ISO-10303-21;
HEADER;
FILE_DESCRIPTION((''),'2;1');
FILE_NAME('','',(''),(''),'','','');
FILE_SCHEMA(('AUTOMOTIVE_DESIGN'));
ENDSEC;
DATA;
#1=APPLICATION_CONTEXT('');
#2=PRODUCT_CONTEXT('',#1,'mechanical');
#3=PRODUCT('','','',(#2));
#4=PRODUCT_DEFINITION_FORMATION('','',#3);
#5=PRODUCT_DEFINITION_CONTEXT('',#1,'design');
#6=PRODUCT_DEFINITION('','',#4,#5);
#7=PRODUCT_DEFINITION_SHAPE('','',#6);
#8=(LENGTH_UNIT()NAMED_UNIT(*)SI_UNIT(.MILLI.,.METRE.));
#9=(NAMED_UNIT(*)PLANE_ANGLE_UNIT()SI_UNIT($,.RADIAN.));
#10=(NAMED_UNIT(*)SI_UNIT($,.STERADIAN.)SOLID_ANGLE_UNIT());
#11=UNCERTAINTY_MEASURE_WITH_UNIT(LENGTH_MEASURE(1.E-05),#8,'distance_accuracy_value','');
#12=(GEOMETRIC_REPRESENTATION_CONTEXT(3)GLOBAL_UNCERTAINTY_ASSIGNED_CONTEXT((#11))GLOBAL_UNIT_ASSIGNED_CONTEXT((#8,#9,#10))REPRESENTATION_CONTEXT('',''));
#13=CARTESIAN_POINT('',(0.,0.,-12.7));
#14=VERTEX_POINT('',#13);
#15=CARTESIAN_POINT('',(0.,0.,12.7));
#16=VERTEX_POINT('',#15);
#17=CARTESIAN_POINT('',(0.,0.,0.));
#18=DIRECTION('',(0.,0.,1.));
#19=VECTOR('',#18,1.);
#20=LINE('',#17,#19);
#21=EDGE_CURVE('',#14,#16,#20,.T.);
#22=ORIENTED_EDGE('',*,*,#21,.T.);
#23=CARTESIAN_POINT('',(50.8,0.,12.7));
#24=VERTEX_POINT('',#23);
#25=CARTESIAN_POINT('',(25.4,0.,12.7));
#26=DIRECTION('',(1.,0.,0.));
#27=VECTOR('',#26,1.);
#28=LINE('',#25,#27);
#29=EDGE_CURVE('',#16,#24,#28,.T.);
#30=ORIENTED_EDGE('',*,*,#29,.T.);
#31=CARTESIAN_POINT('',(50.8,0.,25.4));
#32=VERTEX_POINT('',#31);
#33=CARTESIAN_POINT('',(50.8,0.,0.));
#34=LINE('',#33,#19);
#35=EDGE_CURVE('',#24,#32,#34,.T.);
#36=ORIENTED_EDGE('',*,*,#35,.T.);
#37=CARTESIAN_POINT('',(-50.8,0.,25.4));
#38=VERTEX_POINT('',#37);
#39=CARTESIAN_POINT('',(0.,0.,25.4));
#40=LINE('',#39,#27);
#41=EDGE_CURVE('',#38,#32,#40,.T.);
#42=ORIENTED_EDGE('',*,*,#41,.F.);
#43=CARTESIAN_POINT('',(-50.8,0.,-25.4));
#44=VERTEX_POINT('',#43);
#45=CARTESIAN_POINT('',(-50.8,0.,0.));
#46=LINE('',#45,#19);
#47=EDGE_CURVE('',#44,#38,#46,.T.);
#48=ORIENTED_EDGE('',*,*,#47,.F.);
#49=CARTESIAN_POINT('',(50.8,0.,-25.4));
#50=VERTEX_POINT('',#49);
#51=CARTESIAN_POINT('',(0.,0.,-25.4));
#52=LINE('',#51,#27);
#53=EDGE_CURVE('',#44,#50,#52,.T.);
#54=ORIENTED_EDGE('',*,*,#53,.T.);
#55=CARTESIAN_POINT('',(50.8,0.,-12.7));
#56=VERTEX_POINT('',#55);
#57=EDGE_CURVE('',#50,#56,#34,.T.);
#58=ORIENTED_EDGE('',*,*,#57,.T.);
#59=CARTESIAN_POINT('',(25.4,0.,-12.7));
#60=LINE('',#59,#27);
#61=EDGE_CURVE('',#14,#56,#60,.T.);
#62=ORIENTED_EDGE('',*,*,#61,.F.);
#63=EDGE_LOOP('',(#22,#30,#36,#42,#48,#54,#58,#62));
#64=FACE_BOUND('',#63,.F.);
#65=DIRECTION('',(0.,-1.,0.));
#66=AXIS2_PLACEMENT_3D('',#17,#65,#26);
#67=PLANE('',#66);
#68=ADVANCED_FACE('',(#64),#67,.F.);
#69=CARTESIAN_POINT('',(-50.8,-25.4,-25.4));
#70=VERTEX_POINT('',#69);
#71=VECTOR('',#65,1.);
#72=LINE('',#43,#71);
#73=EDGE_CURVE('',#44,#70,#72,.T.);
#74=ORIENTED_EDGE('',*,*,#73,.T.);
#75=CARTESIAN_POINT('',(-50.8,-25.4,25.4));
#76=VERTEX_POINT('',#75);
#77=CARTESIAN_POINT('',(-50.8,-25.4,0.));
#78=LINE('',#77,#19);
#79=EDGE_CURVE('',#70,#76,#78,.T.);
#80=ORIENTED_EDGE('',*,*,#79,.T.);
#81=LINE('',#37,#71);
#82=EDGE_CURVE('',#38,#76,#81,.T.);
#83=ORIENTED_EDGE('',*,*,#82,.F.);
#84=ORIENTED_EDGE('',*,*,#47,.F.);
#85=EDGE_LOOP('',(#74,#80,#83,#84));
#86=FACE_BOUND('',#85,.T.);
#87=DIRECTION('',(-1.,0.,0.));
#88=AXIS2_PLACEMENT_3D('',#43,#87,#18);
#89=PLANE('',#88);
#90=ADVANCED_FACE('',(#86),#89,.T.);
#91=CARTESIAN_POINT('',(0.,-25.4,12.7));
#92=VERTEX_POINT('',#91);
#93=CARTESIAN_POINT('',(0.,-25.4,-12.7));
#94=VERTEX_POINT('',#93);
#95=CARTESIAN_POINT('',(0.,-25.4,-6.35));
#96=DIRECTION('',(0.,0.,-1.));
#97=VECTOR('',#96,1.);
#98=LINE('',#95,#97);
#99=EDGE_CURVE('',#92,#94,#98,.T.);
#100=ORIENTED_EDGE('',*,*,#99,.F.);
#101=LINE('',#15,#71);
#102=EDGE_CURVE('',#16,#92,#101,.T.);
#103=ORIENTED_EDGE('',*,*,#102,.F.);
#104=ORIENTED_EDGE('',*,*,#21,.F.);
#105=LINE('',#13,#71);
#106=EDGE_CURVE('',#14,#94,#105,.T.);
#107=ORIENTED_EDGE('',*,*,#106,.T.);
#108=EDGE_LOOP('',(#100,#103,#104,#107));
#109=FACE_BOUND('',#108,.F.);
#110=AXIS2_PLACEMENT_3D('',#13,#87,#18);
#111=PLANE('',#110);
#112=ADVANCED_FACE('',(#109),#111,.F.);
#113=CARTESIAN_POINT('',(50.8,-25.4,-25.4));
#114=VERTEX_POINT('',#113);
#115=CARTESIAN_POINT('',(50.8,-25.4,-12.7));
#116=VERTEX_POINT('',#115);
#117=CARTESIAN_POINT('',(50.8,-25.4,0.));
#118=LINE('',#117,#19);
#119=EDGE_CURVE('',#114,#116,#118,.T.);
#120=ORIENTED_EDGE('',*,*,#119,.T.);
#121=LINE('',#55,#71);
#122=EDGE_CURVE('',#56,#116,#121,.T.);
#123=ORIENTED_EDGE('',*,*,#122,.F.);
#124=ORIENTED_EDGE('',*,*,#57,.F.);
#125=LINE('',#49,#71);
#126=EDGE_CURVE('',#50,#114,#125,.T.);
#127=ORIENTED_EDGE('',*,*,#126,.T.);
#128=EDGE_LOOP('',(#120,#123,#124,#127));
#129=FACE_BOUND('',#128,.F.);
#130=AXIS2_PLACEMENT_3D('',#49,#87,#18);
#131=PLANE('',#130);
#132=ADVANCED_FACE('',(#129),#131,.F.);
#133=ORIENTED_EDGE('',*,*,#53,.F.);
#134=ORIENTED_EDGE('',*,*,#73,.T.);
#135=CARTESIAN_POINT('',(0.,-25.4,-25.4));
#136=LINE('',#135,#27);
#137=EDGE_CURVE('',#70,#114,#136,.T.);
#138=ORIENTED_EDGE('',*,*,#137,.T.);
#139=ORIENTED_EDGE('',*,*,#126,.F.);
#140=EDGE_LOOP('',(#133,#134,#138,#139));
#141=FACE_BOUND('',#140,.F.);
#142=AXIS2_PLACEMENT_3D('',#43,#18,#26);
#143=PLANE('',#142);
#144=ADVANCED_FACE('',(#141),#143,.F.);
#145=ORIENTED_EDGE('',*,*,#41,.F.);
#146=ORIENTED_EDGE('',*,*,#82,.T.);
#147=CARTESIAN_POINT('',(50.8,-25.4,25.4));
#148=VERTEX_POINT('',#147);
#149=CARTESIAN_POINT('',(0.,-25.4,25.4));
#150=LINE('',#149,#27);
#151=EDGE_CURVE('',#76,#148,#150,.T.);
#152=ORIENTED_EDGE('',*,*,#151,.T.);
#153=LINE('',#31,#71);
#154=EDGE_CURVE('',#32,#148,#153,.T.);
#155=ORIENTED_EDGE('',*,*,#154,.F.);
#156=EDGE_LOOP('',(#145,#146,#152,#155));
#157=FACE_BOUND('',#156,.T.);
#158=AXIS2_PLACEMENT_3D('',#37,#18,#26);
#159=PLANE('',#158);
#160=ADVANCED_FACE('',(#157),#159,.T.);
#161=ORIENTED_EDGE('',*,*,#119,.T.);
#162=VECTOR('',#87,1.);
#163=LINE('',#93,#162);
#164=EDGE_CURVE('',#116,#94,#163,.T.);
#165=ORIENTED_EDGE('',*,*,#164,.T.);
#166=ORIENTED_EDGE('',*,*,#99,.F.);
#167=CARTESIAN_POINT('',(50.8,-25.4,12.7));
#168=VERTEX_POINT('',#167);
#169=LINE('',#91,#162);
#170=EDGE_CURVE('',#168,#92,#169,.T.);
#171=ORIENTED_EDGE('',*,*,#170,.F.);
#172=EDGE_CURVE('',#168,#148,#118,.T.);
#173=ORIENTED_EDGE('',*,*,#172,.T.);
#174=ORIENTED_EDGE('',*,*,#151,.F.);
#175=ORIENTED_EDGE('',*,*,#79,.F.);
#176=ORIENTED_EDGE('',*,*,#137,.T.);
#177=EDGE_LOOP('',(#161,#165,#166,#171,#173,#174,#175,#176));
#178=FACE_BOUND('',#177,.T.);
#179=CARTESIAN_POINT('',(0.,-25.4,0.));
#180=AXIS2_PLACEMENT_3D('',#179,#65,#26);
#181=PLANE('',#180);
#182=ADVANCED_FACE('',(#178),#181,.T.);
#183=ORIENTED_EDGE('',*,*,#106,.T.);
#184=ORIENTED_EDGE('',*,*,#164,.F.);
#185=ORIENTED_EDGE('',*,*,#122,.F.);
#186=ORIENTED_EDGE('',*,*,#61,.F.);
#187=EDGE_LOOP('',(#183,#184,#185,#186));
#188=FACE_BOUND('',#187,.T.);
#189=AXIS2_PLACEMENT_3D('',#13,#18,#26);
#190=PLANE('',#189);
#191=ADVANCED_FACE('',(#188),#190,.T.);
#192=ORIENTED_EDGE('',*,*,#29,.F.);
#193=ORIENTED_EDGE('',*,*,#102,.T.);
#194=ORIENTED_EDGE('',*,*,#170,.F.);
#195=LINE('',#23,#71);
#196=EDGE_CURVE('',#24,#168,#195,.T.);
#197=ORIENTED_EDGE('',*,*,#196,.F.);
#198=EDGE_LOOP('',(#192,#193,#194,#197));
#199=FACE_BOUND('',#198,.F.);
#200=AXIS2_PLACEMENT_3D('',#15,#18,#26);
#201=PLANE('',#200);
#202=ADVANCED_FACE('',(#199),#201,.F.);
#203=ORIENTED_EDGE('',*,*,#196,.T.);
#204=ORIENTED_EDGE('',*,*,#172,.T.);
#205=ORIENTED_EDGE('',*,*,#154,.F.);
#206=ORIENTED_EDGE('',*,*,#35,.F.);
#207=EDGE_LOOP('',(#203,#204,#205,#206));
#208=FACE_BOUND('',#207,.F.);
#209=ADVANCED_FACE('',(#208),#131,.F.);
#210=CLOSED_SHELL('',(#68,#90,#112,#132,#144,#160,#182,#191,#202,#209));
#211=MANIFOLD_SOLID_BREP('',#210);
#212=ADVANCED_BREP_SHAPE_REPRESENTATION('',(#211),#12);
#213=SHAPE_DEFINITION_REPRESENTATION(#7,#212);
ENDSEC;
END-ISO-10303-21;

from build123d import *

# Parameters (mm, degrees)
F0_W     = 101.6
F0_H     = 50.8
F1_DEPTH = 25.4
F2_W     = 50.8
F2_H     = 25.4
F3_DEPTH = 25.401


with BuildPart() as f1:
    # F0 (on Front) → F1 (new body)
    with BuildSketch(Plane.XZ):
        Rectangle(F0_W, F0_H)
    extrude(amount=F1_DEPTH)

    # F2 (on Front) → F3 (cut, through all)
    with BuildSketch(Plane.XZ):
        with Locations((25.4, 0)):
            Rectangle(F2_W, F2_H)
    extrude(amount=F3_DEPTH, mode=Mode.SUBTRACT)


solid = f1.part
